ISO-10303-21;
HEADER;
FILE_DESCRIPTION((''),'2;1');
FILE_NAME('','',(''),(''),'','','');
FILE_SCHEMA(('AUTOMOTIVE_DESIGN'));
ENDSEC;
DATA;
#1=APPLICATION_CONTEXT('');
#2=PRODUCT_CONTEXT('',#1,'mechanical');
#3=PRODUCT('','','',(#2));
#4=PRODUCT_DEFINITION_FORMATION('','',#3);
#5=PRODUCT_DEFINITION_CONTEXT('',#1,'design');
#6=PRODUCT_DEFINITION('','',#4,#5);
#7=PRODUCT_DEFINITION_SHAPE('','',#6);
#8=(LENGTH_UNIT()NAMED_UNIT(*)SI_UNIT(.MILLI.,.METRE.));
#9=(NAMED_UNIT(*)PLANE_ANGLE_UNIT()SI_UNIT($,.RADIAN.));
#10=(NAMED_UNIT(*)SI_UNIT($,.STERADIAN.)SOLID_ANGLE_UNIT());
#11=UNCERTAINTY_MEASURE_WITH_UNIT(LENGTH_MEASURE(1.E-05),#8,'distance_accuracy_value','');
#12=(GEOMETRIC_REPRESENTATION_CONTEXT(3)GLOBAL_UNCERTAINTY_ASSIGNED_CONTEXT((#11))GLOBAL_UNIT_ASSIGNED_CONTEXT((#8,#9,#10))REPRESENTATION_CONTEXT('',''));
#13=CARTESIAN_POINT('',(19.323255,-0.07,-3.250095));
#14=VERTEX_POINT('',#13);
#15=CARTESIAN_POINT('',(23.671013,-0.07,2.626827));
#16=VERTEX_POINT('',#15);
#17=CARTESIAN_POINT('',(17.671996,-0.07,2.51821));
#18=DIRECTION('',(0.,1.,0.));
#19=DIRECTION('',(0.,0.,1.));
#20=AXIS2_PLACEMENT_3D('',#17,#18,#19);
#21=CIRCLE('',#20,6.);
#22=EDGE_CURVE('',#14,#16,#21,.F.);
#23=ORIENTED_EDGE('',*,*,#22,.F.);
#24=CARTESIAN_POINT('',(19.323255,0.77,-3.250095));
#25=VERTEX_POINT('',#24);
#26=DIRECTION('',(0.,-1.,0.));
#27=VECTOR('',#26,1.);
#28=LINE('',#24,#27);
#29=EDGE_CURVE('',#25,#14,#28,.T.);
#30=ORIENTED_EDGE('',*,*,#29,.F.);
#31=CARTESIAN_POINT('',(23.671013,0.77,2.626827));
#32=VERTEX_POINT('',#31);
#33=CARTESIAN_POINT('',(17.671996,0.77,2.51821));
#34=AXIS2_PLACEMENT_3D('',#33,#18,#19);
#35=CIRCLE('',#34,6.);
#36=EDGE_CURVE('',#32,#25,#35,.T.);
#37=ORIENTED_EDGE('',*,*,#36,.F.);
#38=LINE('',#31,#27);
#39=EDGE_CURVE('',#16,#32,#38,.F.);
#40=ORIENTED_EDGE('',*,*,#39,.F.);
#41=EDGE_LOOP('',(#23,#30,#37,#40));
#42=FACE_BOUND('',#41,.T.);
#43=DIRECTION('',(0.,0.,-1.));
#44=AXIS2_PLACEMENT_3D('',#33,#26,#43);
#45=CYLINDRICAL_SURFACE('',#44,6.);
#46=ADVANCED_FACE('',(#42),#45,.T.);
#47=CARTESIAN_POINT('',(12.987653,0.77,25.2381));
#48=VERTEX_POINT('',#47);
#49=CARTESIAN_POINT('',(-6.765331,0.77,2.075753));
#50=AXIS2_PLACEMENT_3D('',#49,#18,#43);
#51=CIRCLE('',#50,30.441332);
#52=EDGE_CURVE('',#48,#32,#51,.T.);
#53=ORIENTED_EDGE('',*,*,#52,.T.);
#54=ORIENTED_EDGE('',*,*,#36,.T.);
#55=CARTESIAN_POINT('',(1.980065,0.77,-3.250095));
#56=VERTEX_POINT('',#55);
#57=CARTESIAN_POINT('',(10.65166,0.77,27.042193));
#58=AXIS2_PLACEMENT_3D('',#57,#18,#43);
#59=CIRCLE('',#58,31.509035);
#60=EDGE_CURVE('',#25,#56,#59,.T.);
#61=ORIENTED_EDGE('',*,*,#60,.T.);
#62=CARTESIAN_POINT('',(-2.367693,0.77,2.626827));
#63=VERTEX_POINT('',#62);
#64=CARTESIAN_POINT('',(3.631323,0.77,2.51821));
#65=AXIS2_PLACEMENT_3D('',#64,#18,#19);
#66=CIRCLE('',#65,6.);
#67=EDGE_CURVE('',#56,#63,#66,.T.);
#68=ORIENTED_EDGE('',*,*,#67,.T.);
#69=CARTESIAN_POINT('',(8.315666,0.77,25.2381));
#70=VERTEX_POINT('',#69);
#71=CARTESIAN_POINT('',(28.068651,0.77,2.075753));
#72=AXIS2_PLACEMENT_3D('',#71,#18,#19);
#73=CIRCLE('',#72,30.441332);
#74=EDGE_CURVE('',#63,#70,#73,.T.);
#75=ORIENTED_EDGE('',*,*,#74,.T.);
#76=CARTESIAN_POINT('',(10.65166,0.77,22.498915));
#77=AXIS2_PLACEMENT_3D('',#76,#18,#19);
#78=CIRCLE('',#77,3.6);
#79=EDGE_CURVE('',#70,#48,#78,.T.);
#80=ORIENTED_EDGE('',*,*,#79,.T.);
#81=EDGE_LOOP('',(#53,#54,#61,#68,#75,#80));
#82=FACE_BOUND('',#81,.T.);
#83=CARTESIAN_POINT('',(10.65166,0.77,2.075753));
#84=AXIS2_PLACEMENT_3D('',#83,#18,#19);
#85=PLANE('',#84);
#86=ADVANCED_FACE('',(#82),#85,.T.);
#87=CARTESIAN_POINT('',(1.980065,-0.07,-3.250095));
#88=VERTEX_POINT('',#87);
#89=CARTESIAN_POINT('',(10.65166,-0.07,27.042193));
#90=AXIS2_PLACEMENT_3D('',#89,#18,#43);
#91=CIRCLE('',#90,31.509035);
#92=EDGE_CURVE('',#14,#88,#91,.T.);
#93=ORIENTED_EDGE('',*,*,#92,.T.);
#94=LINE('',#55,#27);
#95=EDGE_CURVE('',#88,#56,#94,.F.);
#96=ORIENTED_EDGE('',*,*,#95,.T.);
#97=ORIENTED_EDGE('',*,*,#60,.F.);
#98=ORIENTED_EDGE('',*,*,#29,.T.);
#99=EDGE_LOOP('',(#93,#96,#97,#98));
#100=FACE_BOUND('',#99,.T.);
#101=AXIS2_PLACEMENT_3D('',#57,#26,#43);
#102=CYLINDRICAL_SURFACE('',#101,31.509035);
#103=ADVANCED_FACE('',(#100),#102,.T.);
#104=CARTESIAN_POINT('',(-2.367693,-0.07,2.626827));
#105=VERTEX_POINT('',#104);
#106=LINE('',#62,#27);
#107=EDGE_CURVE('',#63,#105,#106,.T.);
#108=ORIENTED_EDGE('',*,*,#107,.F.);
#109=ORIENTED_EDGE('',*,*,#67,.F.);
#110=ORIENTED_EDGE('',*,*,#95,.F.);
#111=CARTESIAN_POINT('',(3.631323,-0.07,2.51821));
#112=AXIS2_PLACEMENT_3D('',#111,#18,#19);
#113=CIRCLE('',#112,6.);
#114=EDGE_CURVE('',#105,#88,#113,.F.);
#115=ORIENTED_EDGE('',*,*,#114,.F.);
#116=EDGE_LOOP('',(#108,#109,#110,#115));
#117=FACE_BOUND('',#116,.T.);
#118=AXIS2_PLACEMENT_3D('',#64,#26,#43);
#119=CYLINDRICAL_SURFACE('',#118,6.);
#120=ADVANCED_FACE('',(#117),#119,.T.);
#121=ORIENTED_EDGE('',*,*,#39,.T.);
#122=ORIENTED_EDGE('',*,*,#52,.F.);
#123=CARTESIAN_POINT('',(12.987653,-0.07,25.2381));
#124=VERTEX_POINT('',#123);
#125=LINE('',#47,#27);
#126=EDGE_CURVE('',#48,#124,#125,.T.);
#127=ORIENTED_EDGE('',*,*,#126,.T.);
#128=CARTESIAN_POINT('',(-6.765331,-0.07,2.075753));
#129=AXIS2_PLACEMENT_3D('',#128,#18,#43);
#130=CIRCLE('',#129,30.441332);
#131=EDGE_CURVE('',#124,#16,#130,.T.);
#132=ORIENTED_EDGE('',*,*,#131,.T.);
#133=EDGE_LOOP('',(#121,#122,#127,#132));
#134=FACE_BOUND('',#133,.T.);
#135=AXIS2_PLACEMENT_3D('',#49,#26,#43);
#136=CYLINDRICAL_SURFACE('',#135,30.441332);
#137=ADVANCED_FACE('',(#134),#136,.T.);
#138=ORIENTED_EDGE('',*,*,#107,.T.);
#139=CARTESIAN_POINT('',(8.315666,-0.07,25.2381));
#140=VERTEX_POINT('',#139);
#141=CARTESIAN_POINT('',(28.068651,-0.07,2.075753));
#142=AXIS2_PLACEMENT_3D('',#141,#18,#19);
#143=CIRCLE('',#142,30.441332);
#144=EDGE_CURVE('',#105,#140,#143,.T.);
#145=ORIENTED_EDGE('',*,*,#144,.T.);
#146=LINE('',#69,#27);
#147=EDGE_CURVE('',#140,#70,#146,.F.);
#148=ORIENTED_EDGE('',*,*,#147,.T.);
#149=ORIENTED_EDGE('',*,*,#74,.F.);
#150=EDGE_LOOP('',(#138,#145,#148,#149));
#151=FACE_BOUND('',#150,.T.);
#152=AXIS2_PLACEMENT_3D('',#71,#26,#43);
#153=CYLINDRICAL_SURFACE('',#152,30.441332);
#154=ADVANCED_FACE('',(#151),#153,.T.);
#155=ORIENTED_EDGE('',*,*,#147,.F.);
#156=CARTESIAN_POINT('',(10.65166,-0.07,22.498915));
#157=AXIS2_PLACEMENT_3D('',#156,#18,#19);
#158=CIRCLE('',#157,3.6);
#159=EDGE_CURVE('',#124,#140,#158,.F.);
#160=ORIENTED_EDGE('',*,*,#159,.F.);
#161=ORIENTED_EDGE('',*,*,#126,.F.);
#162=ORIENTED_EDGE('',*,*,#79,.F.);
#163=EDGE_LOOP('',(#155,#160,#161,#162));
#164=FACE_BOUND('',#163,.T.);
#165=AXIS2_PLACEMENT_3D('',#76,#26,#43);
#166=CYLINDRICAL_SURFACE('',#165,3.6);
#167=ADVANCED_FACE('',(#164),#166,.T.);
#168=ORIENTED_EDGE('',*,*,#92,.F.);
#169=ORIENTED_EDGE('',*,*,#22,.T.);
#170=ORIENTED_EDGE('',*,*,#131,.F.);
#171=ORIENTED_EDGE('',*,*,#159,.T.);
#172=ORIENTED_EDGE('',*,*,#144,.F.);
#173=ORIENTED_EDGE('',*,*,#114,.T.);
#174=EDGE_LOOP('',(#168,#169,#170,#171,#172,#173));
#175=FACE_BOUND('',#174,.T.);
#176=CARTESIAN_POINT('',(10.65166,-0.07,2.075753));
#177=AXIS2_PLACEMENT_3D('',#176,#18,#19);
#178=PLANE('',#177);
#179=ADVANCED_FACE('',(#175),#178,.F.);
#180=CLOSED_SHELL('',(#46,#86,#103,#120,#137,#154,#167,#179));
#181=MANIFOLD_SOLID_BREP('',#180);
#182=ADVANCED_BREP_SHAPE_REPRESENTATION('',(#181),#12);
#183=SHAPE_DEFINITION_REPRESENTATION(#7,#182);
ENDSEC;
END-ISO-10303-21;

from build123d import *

# Parameters (mm, degrees)
BOSS_EXTRUDE1_DEPTH = 0.7
FILLET1_R           = 5
FILLET2_R           = 5
FILLET3_R           = 3
SCALE1_SCALE        = 1.2


with BuildPart() as part:
    # Sketch1 → Boss-Extrude1 (new body)
    with BuildSketch(Plane(origin=(0, 0, 0), x_dir=(1, 0, 0), z_dir=(0, 1, 0))):
        with BuildLine():
            ThreePointArc((0, 0), (10.651659547, 2.257529417), (21.303319094, 0))
            ThreePointArc((21.303319094, 0), (19.324245754, -13.485354588), (10.651659547, -24))
            ThreePointArc((10.651659547, -24), (1.979073341, -13.485354588), (0, 0))
        make_face()
    extrude(amount=BOSS_EXTRUDE1_DEPTH)

    # Fillet1
    fillet1_edges = [part.edges().sort_by_distance(p)[0] for p in [
        (21.303319094, 0.35, 0),
    ]]
    fillet(fillet1_edges, radius=FILLET1_R)

    # Fillet2
    fillet2_edges = [part.edges().sort_by_distance(p)[0] for p in [
        (0, 0.35, 0),
    ]]
    fillet(fillet2_edges, radius=FILLET2_R)

    # Fillet3
    fillet3_edges = [part.edges().sort_by_distance(p)[0] for p in [
        (10.651659547, 0.35, 24),
    ]]
    fillet(fillet3_edges, radius=FILLET3_R)


with BuildPart() as part_1:
    # Scale1: scaled about (10.651659546, 0.35, 8.789033062)
    add(part.part.scale(SCALE1_SCALE).moved(Location((-2.130331909, -0.07, -1.757806612))))


solid = part_1.part
